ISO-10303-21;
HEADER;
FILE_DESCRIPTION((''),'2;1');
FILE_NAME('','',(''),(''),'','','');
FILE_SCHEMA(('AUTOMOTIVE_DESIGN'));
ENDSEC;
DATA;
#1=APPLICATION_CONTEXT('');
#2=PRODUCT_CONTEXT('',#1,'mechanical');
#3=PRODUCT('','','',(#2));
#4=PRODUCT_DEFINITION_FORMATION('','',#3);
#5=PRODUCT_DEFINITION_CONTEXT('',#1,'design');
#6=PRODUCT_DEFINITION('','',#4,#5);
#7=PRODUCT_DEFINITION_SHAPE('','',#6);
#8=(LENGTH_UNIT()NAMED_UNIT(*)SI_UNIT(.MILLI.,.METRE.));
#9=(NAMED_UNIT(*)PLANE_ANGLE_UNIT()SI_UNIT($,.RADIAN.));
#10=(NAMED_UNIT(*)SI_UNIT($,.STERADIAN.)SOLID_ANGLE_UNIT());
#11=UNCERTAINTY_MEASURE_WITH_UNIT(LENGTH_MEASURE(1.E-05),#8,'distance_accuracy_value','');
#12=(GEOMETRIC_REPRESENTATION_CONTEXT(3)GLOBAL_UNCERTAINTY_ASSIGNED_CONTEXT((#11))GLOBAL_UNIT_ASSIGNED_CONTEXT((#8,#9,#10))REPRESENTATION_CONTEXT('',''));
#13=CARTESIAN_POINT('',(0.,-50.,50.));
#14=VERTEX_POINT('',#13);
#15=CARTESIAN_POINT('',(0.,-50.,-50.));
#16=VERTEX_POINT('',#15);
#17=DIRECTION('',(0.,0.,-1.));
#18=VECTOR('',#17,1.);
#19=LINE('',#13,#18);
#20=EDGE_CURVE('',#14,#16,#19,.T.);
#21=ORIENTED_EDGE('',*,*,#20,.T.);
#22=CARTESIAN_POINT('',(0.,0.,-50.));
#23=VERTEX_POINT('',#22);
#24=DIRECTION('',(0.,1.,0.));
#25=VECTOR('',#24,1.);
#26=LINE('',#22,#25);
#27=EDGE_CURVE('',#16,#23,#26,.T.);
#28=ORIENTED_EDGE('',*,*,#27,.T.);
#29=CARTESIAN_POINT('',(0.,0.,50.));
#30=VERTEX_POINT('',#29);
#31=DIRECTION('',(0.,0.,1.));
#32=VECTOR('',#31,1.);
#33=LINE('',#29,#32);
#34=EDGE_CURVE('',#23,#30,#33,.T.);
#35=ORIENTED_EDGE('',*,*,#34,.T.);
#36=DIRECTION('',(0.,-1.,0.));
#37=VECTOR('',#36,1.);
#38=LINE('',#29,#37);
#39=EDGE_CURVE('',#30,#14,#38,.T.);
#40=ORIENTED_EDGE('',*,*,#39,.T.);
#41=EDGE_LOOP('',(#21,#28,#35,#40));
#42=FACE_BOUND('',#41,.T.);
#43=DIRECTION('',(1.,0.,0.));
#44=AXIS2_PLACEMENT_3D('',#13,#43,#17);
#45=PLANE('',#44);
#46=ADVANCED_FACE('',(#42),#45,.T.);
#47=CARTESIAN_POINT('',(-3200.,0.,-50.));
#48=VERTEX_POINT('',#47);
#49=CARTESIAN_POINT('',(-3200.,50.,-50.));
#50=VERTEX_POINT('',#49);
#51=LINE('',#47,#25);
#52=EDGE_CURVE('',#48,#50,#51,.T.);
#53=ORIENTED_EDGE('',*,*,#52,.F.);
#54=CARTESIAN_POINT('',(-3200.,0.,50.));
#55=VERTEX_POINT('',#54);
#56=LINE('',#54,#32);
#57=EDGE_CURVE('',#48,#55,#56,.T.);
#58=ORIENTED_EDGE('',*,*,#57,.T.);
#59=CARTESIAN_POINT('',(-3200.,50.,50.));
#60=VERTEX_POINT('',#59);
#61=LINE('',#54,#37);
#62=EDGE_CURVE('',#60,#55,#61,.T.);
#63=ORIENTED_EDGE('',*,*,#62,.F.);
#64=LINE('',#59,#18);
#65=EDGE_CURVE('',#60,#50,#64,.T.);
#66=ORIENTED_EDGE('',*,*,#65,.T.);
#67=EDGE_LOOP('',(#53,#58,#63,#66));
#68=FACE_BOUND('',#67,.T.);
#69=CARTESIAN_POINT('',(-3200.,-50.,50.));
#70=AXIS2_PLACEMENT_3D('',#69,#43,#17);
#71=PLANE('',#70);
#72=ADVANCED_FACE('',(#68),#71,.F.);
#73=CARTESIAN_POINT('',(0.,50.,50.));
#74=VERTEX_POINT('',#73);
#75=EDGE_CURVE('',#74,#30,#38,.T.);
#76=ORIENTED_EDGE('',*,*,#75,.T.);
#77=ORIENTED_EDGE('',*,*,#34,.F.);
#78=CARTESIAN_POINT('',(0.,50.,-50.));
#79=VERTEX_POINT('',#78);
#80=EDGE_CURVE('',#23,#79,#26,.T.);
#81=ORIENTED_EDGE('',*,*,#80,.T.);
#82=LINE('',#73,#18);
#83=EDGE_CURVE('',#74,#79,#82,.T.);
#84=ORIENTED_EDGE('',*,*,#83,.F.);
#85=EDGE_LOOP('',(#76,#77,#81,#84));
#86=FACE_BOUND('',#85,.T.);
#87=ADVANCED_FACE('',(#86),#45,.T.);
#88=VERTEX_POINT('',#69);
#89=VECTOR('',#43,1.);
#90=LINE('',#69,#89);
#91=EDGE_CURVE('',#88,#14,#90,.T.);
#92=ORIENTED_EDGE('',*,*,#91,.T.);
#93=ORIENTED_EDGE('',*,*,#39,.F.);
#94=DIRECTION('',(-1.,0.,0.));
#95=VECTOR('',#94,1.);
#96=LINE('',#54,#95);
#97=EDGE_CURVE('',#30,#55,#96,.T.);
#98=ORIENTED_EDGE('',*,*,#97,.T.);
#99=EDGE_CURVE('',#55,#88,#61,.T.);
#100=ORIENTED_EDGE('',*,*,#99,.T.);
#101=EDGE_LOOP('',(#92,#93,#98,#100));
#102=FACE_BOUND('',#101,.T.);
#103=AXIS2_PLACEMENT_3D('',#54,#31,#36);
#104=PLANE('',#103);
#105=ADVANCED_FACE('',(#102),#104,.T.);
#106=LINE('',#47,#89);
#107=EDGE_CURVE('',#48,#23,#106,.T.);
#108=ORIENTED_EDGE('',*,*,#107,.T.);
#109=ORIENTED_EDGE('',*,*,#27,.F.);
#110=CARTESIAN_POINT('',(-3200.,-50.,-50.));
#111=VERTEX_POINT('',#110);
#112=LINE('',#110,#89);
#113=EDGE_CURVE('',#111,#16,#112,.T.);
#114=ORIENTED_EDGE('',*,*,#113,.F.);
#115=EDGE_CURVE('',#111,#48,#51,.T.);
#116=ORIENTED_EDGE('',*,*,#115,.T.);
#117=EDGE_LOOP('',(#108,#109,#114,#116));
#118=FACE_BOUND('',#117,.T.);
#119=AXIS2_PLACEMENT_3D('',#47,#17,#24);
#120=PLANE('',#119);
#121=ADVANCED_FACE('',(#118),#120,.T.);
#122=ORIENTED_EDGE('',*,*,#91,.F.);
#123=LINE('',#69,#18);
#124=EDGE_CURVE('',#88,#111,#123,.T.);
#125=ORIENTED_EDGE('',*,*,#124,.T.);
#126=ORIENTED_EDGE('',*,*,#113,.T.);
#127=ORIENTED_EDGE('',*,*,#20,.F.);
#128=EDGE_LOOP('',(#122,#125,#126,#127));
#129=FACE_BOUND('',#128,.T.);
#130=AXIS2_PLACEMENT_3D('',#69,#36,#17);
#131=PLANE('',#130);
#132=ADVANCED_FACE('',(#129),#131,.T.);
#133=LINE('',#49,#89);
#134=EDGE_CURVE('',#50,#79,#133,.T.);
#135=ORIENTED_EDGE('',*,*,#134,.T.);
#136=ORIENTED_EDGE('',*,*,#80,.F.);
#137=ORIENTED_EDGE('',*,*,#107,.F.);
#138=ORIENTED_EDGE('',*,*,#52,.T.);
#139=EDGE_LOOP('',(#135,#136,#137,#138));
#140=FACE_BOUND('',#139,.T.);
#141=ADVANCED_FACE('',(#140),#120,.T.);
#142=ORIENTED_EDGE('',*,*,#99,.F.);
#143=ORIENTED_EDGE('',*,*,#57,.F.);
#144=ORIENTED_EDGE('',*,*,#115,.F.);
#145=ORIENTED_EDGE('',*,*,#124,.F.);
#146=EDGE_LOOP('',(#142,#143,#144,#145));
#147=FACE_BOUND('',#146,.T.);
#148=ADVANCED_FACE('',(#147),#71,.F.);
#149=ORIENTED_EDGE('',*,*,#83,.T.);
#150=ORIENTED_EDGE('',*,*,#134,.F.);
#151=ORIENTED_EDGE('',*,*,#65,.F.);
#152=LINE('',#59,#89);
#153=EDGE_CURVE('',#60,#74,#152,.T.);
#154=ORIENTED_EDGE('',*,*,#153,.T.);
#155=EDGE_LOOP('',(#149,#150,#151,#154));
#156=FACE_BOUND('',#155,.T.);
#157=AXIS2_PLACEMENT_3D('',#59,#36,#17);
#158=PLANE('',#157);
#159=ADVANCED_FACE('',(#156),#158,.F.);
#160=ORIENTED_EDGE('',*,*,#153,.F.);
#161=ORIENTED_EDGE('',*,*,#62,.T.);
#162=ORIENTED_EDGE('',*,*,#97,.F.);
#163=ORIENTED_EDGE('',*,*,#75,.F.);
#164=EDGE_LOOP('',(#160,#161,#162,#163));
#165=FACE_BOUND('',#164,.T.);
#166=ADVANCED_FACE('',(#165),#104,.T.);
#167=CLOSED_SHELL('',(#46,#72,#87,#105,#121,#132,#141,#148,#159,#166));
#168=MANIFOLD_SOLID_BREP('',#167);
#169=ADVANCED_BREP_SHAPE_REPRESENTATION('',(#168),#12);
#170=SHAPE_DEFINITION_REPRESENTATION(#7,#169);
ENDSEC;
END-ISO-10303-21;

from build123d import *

# Parameters (mm, degrees)
SKETCH1_W      = 100
SKETCH1_H      = 50
EXTRUDE1_DEPTH = 3200


with BuildPart() as part:
    # Sketch1 → Extrude1 (new body)
    with BuildSketch(Plane(origin=(0, 0, 0), x_dir=(0, 0, -1), z_dir=(1, 0, 0))):
        with Locations((0, -25)):
            Rectangle(SKETCH1_W, SKETCH1_H)
    extrude1 = extrude(amount=-EXTRUDE1_DEPTH)

    # Mirror1: Extrude1 across plane
    add(extrude1.mirror(Plane.ZX))


solid = part.part
